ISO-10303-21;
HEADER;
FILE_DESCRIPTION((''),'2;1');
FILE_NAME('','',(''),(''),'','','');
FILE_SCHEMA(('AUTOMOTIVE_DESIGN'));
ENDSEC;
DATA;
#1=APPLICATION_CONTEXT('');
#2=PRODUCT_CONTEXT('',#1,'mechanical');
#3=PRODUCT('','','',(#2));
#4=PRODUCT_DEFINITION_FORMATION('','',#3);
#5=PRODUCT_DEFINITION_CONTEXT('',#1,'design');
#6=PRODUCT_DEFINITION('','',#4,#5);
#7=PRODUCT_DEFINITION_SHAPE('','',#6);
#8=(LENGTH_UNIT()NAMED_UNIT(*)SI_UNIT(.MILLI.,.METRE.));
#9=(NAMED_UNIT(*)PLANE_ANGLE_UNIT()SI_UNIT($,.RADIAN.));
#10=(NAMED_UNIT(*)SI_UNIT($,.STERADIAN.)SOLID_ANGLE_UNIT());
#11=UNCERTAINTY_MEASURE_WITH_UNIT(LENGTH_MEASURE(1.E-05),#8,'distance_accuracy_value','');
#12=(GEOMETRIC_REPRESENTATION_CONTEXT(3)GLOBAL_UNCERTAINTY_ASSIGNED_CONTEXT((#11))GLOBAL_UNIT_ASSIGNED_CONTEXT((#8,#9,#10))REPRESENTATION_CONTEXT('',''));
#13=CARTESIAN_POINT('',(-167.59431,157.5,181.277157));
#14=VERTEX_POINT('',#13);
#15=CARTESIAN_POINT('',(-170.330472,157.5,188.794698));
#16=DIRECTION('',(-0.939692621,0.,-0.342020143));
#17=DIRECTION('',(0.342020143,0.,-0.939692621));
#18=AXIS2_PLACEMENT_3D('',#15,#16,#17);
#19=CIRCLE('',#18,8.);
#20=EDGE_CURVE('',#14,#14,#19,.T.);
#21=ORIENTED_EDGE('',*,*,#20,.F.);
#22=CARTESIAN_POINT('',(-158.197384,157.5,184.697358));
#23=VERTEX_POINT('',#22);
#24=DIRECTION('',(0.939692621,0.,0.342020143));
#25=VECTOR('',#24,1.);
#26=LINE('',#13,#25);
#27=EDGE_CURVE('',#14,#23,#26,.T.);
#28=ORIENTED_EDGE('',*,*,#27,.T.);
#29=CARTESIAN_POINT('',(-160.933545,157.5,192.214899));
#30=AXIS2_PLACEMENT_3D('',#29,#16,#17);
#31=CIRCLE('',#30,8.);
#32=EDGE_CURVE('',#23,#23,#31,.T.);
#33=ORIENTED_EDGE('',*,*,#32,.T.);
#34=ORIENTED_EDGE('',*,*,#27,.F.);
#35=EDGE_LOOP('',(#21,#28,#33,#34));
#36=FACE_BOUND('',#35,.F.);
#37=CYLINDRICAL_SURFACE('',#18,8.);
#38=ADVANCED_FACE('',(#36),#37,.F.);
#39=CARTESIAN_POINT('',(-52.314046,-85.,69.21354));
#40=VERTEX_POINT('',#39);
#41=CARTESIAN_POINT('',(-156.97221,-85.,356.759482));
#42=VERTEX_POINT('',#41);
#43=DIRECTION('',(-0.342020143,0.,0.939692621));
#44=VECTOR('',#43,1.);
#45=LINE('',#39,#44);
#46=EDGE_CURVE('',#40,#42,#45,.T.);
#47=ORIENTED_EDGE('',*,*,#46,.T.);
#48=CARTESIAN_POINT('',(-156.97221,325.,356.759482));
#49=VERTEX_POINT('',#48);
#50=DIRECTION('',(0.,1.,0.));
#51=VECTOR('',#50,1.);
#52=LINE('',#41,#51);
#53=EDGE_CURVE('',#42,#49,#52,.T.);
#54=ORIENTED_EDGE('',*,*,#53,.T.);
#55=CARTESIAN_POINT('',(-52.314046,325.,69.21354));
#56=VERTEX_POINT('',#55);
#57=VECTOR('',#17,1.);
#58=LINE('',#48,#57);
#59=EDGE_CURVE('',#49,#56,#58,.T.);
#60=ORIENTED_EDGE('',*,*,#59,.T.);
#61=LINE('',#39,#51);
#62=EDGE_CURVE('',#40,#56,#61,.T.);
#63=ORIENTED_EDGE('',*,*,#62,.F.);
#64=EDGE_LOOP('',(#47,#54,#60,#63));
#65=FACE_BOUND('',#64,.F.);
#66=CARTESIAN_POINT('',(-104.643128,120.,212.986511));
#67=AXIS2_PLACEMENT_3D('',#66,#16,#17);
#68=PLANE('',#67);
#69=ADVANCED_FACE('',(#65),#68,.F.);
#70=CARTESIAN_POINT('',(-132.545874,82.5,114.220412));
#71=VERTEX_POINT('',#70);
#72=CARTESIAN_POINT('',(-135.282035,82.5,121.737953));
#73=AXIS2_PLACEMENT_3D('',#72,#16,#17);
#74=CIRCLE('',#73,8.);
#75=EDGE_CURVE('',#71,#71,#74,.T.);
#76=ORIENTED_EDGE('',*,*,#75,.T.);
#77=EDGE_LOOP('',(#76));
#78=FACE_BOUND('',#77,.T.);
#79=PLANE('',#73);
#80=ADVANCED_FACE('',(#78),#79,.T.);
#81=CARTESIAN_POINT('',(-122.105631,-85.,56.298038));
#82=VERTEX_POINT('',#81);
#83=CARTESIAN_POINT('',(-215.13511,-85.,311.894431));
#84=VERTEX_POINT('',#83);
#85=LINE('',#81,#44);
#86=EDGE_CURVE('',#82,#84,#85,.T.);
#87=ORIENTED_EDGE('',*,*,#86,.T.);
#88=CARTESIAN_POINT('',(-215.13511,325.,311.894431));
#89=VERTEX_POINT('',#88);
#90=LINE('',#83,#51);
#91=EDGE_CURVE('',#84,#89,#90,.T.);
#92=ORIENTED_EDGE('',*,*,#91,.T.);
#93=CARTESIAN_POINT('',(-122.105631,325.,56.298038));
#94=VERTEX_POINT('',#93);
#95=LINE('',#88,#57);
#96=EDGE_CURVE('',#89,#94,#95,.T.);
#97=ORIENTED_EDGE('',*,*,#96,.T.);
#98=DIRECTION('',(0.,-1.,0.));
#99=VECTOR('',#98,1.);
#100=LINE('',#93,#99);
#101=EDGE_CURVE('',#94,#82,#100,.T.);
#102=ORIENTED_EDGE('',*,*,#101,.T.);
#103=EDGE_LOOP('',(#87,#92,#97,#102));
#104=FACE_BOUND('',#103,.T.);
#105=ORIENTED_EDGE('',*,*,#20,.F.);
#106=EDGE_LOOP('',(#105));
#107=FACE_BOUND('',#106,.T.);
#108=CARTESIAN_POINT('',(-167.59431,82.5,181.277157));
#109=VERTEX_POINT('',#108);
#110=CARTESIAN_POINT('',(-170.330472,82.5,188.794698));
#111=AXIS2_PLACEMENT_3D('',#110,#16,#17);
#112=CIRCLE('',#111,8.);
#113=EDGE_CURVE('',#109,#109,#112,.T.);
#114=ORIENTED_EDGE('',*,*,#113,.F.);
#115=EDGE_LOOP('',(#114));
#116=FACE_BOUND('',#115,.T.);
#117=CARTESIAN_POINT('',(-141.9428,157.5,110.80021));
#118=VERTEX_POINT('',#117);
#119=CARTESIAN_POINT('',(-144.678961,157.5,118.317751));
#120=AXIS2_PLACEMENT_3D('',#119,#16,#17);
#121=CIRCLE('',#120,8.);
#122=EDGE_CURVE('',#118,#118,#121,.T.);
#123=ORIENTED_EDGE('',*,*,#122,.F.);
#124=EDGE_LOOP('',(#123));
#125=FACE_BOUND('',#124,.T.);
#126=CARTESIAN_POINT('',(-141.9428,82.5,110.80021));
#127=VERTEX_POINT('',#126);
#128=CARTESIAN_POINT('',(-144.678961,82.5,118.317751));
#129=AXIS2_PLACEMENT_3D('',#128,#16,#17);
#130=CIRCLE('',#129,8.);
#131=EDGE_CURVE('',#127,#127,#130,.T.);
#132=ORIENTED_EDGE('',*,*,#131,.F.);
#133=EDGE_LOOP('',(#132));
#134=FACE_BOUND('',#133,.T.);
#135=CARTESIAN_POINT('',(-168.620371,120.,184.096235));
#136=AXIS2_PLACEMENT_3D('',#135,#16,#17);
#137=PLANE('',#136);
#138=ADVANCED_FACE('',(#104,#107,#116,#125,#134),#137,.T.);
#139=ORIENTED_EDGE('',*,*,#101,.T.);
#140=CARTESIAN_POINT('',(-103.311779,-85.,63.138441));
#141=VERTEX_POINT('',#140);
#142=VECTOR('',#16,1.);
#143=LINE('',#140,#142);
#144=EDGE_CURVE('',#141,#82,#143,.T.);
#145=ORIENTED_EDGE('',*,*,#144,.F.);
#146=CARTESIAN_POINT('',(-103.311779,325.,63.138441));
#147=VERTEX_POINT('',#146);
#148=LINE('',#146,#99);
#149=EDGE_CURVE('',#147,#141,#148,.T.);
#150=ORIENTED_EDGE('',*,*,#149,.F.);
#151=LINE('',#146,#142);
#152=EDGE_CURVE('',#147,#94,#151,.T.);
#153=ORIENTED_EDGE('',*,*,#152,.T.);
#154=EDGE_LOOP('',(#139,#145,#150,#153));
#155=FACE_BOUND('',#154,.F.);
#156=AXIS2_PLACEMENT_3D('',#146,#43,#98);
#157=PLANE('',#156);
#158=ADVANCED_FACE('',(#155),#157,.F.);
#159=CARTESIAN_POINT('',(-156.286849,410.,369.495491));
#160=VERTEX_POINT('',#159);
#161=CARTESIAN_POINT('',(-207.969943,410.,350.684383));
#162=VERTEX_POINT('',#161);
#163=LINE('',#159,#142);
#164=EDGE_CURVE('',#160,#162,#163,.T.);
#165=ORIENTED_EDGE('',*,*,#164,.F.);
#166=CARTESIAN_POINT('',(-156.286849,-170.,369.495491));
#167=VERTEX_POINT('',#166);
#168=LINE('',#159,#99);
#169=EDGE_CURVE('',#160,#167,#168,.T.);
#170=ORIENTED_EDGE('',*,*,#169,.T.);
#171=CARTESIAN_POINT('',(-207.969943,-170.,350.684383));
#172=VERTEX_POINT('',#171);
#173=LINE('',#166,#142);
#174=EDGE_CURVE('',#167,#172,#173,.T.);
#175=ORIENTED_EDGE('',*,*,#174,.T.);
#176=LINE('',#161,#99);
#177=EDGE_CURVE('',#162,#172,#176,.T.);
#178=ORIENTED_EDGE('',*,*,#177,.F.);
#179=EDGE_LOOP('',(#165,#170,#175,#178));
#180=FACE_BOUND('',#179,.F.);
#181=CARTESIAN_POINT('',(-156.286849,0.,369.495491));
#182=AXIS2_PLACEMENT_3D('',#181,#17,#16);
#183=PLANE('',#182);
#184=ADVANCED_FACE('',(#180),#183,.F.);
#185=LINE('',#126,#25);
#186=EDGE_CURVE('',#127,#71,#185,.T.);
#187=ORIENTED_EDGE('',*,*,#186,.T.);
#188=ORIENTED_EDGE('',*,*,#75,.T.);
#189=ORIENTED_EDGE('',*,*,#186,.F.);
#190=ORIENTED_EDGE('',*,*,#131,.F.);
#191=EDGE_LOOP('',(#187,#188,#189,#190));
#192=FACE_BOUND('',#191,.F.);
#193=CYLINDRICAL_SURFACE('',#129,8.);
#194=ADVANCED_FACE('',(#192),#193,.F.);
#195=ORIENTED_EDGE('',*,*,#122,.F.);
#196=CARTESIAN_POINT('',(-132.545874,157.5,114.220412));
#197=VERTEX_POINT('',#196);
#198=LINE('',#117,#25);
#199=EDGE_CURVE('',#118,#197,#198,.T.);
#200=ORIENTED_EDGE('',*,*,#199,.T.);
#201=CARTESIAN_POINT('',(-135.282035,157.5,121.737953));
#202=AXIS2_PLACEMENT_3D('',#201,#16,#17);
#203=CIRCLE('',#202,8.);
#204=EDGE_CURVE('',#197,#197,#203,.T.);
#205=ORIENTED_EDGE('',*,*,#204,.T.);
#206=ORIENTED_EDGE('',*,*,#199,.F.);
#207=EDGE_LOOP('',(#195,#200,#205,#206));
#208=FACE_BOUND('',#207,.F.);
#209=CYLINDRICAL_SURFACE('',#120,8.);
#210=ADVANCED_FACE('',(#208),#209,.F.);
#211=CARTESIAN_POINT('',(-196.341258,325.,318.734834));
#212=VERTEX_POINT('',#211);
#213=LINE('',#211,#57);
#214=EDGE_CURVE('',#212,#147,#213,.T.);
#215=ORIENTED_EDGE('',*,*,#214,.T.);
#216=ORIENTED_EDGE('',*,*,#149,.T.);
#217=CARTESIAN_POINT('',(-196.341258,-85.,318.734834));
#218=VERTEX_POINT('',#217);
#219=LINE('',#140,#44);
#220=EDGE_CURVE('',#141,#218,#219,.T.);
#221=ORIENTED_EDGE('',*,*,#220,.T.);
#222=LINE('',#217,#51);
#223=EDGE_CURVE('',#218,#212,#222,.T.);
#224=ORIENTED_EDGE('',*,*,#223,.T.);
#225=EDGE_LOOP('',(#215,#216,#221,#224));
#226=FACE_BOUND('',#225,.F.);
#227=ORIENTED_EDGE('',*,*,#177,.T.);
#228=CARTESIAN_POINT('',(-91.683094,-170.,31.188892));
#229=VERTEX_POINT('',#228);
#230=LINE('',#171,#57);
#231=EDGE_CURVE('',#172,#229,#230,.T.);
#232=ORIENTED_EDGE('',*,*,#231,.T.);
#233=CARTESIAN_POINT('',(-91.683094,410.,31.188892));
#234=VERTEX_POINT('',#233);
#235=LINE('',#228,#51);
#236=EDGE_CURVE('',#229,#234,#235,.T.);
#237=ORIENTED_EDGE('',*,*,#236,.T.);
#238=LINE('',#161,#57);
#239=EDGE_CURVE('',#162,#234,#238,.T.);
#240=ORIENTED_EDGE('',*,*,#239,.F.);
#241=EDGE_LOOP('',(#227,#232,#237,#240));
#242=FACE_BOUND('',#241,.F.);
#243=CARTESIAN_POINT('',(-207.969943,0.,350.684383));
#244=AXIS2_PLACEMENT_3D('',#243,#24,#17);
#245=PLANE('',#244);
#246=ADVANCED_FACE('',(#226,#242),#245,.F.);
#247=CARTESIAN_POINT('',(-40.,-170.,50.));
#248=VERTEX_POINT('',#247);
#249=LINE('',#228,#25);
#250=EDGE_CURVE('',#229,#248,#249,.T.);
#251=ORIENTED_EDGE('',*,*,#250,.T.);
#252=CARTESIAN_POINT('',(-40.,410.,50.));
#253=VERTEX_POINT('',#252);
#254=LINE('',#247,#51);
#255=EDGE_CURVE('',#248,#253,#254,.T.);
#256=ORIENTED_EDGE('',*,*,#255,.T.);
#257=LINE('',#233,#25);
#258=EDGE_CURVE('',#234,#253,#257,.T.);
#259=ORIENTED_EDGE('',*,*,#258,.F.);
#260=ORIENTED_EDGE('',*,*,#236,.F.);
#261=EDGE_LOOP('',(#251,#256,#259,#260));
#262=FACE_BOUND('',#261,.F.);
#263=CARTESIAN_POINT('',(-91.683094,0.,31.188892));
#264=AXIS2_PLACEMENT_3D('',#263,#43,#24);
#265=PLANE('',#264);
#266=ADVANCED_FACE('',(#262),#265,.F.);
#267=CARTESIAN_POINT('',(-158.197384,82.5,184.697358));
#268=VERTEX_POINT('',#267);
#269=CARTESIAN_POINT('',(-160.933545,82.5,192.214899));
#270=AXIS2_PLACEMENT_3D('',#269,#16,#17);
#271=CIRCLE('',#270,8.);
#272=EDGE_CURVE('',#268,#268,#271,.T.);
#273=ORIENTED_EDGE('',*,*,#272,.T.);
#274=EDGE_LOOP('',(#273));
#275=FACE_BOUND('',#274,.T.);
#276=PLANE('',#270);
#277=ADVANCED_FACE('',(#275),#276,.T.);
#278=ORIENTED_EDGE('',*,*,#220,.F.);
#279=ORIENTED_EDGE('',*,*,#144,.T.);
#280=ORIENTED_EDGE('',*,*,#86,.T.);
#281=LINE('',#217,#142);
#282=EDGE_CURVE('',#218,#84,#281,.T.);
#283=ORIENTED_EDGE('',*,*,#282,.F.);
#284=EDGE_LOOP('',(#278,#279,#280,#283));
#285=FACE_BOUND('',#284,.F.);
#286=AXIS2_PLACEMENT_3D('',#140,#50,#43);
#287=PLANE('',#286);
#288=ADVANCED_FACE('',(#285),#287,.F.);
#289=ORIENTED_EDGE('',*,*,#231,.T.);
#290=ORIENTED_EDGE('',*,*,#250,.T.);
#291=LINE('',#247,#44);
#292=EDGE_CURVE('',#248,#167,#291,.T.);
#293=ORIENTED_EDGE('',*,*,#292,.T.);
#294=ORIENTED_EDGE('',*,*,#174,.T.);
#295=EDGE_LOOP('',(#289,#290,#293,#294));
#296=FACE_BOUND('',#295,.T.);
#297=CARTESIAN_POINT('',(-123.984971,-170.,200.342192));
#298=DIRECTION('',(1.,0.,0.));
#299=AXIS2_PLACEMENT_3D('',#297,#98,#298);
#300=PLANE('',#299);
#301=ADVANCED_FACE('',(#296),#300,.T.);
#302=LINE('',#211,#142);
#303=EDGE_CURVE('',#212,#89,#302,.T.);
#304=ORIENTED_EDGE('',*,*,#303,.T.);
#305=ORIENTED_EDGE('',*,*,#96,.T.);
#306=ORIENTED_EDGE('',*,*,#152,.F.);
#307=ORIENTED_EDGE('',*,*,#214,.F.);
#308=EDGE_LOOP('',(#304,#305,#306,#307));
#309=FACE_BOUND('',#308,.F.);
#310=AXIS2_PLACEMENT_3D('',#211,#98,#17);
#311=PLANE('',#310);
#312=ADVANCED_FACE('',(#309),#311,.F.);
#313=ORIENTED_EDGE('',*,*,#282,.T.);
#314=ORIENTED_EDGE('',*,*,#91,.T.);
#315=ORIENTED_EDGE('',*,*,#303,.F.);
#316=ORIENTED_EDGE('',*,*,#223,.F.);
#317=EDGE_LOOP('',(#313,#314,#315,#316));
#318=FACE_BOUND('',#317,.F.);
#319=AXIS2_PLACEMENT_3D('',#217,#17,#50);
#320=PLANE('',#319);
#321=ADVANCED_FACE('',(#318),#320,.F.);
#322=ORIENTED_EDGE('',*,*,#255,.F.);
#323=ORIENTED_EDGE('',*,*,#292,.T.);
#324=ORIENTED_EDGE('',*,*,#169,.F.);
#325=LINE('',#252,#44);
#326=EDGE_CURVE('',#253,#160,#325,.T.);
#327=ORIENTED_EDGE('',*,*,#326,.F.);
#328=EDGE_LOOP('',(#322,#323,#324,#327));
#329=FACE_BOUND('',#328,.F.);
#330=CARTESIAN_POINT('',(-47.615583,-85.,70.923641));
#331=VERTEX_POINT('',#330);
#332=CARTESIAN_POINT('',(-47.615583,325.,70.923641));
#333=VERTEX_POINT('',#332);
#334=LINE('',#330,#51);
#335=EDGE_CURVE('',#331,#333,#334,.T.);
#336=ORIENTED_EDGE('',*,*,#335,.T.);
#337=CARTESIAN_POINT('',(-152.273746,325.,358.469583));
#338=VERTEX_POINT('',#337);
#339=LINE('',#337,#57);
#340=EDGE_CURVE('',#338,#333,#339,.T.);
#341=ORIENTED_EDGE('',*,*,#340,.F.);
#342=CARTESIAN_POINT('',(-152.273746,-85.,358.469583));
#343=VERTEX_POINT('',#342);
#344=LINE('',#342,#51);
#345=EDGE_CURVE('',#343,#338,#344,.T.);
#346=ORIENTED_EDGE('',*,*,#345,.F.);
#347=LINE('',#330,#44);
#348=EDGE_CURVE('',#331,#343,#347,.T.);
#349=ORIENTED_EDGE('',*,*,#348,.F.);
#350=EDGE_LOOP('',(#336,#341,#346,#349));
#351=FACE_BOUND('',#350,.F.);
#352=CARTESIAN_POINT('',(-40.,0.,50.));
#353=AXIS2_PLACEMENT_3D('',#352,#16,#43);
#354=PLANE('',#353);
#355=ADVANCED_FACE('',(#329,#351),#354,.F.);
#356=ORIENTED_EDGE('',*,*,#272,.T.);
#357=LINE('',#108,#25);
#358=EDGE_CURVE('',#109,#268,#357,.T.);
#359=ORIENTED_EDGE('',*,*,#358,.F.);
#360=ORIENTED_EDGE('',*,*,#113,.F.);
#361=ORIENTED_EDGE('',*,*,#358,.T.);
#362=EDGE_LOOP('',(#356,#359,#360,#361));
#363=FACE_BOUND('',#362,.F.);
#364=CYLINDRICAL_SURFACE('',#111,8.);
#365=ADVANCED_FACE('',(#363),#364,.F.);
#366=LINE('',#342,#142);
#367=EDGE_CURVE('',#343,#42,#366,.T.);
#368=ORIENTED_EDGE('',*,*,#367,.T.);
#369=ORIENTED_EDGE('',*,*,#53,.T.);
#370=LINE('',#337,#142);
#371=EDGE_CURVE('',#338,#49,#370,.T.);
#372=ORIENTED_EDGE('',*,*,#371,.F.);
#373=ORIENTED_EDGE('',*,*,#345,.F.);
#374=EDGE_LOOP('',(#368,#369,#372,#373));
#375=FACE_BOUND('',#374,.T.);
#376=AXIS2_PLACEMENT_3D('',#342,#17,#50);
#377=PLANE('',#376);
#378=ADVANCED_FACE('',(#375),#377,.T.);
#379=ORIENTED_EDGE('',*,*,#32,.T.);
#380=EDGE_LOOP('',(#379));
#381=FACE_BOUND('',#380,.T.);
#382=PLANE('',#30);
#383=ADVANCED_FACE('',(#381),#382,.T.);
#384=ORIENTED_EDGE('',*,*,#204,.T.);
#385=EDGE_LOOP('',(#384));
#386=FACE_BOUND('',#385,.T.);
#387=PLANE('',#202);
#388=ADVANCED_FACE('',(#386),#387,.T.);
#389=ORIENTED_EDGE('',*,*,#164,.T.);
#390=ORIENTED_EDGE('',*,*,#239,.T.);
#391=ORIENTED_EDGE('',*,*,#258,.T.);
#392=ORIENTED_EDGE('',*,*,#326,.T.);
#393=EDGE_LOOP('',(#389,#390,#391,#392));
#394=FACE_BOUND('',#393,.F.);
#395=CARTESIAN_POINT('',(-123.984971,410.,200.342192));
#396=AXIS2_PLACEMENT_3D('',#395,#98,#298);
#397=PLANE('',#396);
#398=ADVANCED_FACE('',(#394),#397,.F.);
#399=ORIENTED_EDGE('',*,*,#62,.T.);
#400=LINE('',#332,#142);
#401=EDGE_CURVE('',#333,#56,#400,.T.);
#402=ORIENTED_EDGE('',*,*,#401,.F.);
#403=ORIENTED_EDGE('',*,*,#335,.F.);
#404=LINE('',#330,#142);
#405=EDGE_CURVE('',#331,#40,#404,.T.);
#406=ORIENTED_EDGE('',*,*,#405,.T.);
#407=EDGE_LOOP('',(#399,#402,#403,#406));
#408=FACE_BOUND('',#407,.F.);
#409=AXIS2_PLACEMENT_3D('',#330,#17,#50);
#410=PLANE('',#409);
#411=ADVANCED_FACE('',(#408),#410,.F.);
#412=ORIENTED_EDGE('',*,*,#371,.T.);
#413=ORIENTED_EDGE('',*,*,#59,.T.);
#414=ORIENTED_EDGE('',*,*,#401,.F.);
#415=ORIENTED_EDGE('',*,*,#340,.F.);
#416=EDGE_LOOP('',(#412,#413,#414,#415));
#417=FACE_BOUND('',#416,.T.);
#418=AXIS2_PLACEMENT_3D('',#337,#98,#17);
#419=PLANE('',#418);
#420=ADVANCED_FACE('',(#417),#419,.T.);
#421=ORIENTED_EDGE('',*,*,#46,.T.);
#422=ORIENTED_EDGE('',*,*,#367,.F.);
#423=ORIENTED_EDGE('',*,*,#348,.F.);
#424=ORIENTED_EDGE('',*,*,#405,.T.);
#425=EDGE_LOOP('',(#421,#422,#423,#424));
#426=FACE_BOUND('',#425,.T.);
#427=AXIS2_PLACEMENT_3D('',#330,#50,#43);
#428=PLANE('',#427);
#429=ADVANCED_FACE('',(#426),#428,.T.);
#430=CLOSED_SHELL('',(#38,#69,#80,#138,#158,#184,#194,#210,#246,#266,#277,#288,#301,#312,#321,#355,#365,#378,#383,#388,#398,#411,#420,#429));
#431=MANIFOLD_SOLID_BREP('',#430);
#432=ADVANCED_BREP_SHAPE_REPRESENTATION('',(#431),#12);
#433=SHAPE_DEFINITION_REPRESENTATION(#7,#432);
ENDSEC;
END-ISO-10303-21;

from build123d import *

# Parameters (mm, degrees)
PAD002_DEPTH      = 410
PAD002_DEPTH_BACK = 170
POCKET_DEPTH      = 5
PAD_DEPTH         = 20
SKETCH004_R       = 8
POCKET001_DEPTH   = 10


with BuildPart() as part:
    # Sketch002 → Pad002 (new body, two sides)
    with BuildSketch(Plane(origin=(0, 0, 0), x_dir=(-1, 0, 0), z_dir=(0, 1, 0))) as pad002_sk:
        Polygon((40, 50), (156.2868487308, 369.4954910672), (207.969942874, 350.6843831843), (91.6830941432, 31.1888921171), align=None)
    extrude(amount=PAD002_DEPTH)
    extrude(pad002_sk.sketch, amount=-PAD002_DEPTH_BACK)

    # Sketch (on Face1 of Pad002) → Pocket (cut)
    with BuildSketch(Plane(origin=(-19.2511986202, 0, -7.0068632717), x_dir=(-0.3420201433, 0, 0.9396926208), z_dir=(0.9396926208, 0, 0.3420201433))):
        Polygon((82.9319106246, 85), (388.9319106246, 85), (388.9319106246, -325), (82.9319106246, -325), (82.9319106246, -120), align=None)
    extrude(amount=-POCKET_DEPTH, mode=Mode.SUBTRACT)

    # Sketch003 (on Face11 of Pocket) → Pad (join)
    with BuildSketch(Plane(origin=(-70.9342927634, 0, -25.8179711546), x_dir=(0.3420201433, 0, -0.9396926208), z_dir=(-0.9396926208, 0, -0.3420201433))):
        Polygon((-366.6654367723, -325), (-94.6654367723, -325), (-94.6654367723, -120), (-94.6654367723, 85), (-366.6654367723, 85), align=None)
    extrude(amount=PAD_DEPTH)

    # Sketch004 (on Face18 of Pad) → Pocket001 (cut)
    with BuildSketch(Plane(origin=(-89.7281451791, 0, -32.6583740211), x_dir=(0.3420201433, 0, -0.9396926208), z_dir=(-0.9396926208, 0, -0.3420201433))):
        with Locations((-235.6654367723, -82.5)):
            Circle(SKETCH004_R)
        with Locations((-160.6654367723, -82.5)):
            Circle(SKETCH004_R)
        with Locations((-160.6654367723, -157.5)):
            Circle(SKETCH004_R)
        with Locations((-235.6654367723, -157.5)):
            Circle(SKETCH004_R)
    extrude(amount=-POCKET001_DEPTH, mode=Mode.SUBTRACT)


solid = part.part
